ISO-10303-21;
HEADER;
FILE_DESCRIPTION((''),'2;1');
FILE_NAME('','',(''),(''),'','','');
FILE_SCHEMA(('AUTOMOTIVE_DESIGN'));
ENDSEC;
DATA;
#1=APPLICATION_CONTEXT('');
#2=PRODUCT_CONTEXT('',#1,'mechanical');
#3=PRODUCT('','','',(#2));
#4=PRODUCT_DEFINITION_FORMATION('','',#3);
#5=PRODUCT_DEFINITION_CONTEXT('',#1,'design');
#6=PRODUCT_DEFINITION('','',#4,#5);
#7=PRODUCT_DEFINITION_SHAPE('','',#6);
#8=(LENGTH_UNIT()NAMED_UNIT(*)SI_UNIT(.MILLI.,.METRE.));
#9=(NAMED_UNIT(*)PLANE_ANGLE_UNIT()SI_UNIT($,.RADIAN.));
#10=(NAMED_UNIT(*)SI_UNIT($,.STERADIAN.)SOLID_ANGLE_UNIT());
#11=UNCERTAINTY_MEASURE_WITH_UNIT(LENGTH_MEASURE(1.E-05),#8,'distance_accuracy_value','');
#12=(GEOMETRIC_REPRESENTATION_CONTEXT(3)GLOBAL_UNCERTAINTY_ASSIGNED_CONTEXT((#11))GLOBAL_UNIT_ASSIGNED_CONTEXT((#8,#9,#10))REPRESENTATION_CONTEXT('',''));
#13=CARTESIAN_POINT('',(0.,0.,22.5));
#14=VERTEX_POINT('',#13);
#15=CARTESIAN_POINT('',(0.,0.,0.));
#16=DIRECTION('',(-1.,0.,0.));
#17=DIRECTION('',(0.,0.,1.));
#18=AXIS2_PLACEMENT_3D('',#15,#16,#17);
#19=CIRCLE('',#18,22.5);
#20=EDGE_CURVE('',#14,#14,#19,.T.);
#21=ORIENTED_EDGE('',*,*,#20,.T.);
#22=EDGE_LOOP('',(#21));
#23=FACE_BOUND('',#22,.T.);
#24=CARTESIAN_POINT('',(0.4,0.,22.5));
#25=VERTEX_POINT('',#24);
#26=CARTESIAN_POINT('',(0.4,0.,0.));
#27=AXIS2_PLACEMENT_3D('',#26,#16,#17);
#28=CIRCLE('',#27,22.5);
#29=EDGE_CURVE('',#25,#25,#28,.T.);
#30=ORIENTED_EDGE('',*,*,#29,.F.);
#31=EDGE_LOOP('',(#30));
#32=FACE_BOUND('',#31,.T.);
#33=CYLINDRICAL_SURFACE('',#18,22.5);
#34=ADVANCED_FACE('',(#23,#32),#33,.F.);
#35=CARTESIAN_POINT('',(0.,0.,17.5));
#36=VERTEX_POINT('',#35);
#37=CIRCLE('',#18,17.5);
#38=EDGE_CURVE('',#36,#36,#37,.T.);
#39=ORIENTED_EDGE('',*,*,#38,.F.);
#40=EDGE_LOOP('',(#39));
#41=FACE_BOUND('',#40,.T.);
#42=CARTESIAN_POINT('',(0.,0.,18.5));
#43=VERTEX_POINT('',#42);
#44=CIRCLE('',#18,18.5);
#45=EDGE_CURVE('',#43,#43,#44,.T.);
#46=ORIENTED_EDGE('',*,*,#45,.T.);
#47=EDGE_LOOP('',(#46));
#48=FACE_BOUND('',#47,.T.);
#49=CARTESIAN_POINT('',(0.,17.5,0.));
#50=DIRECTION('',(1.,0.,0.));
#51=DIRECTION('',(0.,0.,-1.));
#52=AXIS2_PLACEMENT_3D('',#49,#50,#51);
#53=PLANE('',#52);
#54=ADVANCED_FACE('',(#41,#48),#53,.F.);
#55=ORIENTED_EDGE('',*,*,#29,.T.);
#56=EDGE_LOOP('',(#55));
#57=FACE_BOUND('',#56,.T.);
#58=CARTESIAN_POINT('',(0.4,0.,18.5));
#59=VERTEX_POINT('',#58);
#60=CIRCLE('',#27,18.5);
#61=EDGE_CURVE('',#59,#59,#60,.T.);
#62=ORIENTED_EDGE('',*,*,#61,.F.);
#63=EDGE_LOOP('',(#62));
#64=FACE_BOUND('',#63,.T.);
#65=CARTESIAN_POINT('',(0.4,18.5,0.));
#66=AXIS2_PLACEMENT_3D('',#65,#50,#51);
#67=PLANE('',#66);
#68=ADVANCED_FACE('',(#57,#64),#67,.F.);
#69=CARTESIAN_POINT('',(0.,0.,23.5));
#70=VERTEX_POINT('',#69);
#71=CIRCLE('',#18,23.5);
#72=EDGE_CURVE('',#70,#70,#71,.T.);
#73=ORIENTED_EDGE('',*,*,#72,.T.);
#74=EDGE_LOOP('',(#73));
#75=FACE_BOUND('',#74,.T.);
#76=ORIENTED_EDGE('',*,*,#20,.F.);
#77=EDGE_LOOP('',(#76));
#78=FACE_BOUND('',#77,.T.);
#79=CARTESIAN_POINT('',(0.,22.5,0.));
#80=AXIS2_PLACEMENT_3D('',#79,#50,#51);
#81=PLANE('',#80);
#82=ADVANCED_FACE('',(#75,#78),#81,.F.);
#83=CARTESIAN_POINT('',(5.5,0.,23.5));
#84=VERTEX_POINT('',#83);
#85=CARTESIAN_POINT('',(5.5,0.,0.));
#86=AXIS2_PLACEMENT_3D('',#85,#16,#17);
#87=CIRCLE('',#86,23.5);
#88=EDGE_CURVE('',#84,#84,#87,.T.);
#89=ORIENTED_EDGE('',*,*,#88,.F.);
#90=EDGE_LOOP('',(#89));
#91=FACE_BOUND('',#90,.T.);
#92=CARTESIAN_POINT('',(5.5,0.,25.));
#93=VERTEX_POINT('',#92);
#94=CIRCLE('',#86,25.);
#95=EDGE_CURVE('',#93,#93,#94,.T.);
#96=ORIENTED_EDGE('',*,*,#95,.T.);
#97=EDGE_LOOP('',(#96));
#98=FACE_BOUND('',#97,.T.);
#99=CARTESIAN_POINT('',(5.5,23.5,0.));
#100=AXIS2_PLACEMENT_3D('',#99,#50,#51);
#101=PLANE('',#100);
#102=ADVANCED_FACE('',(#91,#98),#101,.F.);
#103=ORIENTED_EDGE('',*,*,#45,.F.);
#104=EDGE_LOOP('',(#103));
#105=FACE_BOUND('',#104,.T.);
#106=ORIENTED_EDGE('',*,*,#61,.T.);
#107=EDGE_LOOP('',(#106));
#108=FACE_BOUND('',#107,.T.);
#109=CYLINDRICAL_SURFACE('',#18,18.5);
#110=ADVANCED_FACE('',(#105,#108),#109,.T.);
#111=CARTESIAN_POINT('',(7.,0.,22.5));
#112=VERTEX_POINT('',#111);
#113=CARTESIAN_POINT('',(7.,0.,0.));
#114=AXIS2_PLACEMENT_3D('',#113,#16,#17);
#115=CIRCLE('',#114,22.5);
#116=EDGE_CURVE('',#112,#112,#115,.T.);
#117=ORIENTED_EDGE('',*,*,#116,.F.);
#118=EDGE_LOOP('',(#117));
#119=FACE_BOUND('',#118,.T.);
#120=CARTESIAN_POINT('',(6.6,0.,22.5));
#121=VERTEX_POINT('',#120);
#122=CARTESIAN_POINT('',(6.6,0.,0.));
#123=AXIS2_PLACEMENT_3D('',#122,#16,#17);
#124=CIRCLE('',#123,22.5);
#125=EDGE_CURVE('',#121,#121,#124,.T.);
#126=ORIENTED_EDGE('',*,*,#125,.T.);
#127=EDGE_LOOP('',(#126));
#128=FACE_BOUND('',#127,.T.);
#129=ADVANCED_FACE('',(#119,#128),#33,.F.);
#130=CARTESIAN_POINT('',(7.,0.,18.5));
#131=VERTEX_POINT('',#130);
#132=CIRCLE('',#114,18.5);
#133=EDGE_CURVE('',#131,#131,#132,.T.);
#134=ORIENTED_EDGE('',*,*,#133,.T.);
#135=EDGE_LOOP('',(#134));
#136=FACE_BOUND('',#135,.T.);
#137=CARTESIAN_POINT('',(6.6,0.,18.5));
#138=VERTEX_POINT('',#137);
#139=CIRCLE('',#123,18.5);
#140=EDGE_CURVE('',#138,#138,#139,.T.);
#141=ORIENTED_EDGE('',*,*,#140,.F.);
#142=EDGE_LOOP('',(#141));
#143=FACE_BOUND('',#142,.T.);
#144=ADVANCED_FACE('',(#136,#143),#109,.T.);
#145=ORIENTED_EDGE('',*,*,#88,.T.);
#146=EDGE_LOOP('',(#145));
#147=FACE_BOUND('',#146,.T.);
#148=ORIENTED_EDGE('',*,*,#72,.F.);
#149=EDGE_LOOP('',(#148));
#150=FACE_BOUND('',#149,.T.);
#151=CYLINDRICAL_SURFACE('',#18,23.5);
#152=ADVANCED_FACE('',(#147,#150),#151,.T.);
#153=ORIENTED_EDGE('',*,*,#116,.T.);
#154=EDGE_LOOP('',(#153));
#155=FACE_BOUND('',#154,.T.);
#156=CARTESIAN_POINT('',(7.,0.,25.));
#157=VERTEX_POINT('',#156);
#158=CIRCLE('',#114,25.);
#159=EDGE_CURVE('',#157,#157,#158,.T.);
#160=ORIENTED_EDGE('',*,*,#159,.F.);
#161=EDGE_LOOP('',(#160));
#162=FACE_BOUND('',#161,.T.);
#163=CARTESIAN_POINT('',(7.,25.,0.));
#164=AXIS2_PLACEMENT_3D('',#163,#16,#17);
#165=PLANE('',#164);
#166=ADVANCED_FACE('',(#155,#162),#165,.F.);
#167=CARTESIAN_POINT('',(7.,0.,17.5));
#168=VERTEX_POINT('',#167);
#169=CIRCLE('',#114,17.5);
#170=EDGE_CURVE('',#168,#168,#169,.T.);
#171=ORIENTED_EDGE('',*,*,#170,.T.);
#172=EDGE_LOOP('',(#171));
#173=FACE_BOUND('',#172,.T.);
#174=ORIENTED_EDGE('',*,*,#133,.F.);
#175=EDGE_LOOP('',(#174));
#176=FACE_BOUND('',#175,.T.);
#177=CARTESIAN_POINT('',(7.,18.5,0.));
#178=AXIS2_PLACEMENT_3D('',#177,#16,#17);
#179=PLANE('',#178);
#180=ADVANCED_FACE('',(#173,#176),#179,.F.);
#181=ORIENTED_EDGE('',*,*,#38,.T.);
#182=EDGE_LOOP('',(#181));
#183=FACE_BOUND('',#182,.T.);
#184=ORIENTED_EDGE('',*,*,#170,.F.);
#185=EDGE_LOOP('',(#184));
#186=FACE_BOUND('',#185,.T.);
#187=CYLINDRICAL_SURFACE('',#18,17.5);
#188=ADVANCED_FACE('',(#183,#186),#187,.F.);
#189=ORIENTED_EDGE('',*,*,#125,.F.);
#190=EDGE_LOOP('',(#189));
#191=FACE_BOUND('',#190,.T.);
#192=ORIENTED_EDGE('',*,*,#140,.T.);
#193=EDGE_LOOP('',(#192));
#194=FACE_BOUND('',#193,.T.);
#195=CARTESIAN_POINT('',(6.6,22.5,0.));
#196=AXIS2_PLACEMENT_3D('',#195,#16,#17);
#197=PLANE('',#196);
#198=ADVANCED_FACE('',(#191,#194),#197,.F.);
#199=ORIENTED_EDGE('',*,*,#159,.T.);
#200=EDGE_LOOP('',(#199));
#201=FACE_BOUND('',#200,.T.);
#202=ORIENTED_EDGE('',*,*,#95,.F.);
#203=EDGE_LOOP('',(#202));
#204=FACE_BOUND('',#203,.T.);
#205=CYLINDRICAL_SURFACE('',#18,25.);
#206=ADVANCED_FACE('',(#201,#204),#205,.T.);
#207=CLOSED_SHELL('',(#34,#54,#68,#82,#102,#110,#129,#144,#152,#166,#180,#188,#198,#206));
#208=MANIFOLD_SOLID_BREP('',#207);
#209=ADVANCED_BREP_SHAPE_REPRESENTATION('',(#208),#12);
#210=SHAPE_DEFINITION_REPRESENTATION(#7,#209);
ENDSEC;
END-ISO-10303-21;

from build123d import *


with BuildPart() as part:
    # 草图1 → 旋转1 (revolve)
    with BuildSketch(Plane.XY, mode=Mode.PRIVATE) as revolve_1_sk:
        Polygon((5.5, 25), (7, 25), (7, 22.5), (6.6, 22.5), (6.6, 18.5), (7, 18.5), (7, 17.5), (0, 17.5), (0, 18.5), (0.4, 18.5), (0.4, 22.5), (0, 22.5), (0, 23.5), (5.5, 23.5), align=None)
    revolve(revolve_1_sk.sketch.rotate(Axis((0, 0, 0), (1, 0, 0)), 90), axis=Axis((0, 0, 0), (1, 0, 0)))


solid = part.part
